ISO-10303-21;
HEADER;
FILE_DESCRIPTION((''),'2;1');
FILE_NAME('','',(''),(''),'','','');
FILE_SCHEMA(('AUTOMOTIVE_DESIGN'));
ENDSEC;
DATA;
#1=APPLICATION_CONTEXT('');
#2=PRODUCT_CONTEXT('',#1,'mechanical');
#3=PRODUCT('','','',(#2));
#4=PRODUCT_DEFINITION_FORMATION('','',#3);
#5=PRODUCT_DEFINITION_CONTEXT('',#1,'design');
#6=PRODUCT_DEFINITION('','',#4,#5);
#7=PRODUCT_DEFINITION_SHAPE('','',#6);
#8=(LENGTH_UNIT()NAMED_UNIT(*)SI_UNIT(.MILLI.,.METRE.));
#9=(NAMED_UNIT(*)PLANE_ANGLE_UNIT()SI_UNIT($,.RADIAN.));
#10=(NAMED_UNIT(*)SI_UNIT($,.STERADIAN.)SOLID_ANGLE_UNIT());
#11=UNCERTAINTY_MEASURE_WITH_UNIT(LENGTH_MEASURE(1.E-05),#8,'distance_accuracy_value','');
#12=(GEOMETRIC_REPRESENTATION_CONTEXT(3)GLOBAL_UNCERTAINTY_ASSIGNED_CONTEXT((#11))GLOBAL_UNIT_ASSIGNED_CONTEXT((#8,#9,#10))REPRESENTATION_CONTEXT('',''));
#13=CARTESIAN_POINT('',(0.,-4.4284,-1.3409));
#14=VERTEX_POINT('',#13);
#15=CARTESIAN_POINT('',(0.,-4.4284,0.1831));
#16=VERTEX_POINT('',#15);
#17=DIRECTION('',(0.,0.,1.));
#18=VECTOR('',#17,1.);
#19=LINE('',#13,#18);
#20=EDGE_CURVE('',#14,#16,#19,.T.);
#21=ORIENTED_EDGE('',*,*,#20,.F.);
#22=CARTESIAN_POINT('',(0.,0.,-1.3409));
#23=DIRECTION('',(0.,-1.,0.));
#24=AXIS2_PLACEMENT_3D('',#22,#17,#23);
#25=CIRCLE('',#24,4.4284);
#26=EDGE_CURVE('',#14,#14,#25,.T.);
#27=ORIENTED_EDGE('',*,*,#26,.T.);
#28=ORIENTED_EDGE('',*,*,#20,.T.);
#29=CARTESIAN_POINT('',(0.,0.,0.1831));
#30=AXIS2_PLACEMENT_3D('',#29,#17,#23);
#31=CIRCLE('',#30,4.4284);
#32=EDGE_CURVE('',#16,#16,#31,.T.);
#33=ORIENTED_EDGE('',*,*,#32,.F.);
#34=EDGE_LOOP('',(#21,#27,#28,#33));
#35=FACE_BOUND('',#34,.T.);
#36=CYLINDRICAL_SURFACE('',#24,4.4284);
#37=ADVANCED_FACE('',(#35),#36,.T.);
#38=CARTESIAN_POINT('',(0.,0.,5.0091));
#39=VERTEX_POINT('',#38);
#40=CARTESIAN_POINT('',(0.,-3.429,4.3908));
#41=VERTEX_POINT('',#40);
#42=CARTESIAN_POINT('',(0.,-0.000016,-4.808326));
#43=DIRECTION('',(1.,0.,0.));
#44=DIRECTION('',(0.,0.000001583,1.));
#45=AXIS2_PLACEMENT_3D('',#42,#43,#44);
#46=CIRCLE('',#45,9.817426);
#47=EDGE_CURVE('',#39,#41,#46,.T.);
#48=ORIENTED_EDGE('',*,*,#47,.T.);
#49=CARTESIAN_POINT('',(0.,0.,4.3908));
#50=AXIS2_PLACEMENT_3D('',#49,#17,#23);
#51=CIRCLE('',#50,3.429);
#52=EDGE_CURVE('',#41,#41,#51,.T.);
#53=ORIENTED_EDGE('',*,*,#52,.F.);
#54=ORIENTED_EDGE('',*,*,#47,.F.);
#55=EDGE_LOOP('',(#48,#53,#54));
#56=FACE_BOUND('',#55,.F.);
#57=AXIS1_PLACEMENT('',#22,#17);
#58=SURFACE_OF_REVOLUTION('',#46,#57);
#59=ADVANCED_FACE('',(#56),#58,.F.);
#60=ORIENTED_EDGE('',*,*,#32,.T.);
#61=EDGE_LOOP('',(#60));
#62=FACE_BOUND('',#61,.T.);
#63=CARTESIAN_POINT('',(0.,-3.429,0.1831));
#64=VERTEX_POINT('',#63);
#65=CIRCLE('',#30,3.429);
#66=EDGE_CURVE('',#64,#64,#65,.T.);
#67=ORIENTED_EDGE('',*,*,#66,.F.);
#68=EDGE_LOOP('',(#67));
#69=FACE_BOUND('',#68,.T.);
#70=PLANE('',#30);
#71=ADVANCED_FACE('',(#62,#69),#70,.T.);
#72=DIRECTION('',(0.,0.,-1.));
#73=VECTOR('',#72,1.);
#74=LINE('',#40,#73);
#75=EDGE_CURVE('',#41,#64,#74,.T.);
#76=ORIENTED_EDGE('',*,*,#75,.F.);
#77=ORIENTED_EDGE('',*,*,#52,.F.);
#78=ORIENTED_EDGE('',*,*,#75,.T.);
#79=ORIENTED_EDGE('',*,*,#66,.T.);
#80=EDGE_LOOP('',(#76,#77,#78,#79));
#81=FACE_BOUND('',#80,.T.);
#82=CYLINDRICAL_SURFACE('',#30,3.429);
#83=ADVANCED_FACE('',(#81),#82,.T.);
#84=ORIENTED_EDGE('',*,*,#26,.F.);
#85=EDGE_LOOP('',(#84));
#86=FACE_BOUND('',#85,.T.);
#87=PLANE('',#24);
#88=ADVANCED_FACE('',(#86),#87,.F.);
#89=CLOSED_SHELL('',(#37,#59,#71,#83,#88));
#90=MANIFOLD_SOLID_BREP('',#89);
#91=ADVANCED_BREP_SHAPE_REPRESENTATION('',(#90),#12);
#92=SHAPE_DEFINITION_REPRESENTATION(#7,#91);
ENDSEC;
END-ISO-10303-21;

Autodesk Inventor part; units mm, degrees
ref_plane "YZ Plane" through (0, 0, 0) normal (1, 0, 0) x (0, 1, 0)
ref_plane "XZ Plane" through (0, 0, 0) normal (0, 1, 0) x (-1, 0, 0)
ref_plane "XY Plane" through (0, 0, 0) normal (0, 0, 1) x (1, 0, 0)
sketch "Sketch1" plane through (0, 0, 0) normal (1, 0, 0) x (0, 1, 0)
  line L0 (-3.175, 3.9727) -> (-3.175, 2.3852)
  line L1 (3.175, 3.9727) -> (3.175, 2.3852)
  line L2 (8.5884, 3.9727) -> (-47.5777, 3.9727) projected
  line L3 (-47.5777, 2.3852) -> (8.5884, 2.3852) projected
  line L4 (-1.7526, -0.508) -> (-1.7526, 0)
  line L5 (1.7526, -0.508) -> (1.7526, 0)
  line L6 (1.7526, 0) -> (-1.7526, 0) projected
  line L7 (0, -1.3409) -> (0, 5.0091)
  line L8 (0, -1.3409) -> (-4.4284, -1.3409)
  line L9 (-4.4284, -1.3409) -> (-4.4284, 0.1831)
  line L10 (-4.4284, 0.1831) -> (-3.429, 0.1831)
  line L11 (-3.429, 0.1831) -> (-3.429, 4.3908)
  arc A0 (0, 5.0091) -> (-3.429, 4.3908) centre (0, -4.8085) ccw
  line L12 (0, 5.0091) -> (-0.228, 5.0091)
  point P0 (0, 0)
  point P1 (0, 0)
  dimension "d0" = 3.429
  dimension "d2" = 6.35
  dimension "d3" = 1.524
revolve "Revolution1" add sketch "Sketch1" angle 360 about axis through (0, 0, -1.3409) along (0, 0, 1) contours L2 L7 L3 L0 | L2 L11 A0 L7 | L0 L3 L11 L2 | L3 L7 L8 L9 L10 L11
properties part number "Button Piece Large"
